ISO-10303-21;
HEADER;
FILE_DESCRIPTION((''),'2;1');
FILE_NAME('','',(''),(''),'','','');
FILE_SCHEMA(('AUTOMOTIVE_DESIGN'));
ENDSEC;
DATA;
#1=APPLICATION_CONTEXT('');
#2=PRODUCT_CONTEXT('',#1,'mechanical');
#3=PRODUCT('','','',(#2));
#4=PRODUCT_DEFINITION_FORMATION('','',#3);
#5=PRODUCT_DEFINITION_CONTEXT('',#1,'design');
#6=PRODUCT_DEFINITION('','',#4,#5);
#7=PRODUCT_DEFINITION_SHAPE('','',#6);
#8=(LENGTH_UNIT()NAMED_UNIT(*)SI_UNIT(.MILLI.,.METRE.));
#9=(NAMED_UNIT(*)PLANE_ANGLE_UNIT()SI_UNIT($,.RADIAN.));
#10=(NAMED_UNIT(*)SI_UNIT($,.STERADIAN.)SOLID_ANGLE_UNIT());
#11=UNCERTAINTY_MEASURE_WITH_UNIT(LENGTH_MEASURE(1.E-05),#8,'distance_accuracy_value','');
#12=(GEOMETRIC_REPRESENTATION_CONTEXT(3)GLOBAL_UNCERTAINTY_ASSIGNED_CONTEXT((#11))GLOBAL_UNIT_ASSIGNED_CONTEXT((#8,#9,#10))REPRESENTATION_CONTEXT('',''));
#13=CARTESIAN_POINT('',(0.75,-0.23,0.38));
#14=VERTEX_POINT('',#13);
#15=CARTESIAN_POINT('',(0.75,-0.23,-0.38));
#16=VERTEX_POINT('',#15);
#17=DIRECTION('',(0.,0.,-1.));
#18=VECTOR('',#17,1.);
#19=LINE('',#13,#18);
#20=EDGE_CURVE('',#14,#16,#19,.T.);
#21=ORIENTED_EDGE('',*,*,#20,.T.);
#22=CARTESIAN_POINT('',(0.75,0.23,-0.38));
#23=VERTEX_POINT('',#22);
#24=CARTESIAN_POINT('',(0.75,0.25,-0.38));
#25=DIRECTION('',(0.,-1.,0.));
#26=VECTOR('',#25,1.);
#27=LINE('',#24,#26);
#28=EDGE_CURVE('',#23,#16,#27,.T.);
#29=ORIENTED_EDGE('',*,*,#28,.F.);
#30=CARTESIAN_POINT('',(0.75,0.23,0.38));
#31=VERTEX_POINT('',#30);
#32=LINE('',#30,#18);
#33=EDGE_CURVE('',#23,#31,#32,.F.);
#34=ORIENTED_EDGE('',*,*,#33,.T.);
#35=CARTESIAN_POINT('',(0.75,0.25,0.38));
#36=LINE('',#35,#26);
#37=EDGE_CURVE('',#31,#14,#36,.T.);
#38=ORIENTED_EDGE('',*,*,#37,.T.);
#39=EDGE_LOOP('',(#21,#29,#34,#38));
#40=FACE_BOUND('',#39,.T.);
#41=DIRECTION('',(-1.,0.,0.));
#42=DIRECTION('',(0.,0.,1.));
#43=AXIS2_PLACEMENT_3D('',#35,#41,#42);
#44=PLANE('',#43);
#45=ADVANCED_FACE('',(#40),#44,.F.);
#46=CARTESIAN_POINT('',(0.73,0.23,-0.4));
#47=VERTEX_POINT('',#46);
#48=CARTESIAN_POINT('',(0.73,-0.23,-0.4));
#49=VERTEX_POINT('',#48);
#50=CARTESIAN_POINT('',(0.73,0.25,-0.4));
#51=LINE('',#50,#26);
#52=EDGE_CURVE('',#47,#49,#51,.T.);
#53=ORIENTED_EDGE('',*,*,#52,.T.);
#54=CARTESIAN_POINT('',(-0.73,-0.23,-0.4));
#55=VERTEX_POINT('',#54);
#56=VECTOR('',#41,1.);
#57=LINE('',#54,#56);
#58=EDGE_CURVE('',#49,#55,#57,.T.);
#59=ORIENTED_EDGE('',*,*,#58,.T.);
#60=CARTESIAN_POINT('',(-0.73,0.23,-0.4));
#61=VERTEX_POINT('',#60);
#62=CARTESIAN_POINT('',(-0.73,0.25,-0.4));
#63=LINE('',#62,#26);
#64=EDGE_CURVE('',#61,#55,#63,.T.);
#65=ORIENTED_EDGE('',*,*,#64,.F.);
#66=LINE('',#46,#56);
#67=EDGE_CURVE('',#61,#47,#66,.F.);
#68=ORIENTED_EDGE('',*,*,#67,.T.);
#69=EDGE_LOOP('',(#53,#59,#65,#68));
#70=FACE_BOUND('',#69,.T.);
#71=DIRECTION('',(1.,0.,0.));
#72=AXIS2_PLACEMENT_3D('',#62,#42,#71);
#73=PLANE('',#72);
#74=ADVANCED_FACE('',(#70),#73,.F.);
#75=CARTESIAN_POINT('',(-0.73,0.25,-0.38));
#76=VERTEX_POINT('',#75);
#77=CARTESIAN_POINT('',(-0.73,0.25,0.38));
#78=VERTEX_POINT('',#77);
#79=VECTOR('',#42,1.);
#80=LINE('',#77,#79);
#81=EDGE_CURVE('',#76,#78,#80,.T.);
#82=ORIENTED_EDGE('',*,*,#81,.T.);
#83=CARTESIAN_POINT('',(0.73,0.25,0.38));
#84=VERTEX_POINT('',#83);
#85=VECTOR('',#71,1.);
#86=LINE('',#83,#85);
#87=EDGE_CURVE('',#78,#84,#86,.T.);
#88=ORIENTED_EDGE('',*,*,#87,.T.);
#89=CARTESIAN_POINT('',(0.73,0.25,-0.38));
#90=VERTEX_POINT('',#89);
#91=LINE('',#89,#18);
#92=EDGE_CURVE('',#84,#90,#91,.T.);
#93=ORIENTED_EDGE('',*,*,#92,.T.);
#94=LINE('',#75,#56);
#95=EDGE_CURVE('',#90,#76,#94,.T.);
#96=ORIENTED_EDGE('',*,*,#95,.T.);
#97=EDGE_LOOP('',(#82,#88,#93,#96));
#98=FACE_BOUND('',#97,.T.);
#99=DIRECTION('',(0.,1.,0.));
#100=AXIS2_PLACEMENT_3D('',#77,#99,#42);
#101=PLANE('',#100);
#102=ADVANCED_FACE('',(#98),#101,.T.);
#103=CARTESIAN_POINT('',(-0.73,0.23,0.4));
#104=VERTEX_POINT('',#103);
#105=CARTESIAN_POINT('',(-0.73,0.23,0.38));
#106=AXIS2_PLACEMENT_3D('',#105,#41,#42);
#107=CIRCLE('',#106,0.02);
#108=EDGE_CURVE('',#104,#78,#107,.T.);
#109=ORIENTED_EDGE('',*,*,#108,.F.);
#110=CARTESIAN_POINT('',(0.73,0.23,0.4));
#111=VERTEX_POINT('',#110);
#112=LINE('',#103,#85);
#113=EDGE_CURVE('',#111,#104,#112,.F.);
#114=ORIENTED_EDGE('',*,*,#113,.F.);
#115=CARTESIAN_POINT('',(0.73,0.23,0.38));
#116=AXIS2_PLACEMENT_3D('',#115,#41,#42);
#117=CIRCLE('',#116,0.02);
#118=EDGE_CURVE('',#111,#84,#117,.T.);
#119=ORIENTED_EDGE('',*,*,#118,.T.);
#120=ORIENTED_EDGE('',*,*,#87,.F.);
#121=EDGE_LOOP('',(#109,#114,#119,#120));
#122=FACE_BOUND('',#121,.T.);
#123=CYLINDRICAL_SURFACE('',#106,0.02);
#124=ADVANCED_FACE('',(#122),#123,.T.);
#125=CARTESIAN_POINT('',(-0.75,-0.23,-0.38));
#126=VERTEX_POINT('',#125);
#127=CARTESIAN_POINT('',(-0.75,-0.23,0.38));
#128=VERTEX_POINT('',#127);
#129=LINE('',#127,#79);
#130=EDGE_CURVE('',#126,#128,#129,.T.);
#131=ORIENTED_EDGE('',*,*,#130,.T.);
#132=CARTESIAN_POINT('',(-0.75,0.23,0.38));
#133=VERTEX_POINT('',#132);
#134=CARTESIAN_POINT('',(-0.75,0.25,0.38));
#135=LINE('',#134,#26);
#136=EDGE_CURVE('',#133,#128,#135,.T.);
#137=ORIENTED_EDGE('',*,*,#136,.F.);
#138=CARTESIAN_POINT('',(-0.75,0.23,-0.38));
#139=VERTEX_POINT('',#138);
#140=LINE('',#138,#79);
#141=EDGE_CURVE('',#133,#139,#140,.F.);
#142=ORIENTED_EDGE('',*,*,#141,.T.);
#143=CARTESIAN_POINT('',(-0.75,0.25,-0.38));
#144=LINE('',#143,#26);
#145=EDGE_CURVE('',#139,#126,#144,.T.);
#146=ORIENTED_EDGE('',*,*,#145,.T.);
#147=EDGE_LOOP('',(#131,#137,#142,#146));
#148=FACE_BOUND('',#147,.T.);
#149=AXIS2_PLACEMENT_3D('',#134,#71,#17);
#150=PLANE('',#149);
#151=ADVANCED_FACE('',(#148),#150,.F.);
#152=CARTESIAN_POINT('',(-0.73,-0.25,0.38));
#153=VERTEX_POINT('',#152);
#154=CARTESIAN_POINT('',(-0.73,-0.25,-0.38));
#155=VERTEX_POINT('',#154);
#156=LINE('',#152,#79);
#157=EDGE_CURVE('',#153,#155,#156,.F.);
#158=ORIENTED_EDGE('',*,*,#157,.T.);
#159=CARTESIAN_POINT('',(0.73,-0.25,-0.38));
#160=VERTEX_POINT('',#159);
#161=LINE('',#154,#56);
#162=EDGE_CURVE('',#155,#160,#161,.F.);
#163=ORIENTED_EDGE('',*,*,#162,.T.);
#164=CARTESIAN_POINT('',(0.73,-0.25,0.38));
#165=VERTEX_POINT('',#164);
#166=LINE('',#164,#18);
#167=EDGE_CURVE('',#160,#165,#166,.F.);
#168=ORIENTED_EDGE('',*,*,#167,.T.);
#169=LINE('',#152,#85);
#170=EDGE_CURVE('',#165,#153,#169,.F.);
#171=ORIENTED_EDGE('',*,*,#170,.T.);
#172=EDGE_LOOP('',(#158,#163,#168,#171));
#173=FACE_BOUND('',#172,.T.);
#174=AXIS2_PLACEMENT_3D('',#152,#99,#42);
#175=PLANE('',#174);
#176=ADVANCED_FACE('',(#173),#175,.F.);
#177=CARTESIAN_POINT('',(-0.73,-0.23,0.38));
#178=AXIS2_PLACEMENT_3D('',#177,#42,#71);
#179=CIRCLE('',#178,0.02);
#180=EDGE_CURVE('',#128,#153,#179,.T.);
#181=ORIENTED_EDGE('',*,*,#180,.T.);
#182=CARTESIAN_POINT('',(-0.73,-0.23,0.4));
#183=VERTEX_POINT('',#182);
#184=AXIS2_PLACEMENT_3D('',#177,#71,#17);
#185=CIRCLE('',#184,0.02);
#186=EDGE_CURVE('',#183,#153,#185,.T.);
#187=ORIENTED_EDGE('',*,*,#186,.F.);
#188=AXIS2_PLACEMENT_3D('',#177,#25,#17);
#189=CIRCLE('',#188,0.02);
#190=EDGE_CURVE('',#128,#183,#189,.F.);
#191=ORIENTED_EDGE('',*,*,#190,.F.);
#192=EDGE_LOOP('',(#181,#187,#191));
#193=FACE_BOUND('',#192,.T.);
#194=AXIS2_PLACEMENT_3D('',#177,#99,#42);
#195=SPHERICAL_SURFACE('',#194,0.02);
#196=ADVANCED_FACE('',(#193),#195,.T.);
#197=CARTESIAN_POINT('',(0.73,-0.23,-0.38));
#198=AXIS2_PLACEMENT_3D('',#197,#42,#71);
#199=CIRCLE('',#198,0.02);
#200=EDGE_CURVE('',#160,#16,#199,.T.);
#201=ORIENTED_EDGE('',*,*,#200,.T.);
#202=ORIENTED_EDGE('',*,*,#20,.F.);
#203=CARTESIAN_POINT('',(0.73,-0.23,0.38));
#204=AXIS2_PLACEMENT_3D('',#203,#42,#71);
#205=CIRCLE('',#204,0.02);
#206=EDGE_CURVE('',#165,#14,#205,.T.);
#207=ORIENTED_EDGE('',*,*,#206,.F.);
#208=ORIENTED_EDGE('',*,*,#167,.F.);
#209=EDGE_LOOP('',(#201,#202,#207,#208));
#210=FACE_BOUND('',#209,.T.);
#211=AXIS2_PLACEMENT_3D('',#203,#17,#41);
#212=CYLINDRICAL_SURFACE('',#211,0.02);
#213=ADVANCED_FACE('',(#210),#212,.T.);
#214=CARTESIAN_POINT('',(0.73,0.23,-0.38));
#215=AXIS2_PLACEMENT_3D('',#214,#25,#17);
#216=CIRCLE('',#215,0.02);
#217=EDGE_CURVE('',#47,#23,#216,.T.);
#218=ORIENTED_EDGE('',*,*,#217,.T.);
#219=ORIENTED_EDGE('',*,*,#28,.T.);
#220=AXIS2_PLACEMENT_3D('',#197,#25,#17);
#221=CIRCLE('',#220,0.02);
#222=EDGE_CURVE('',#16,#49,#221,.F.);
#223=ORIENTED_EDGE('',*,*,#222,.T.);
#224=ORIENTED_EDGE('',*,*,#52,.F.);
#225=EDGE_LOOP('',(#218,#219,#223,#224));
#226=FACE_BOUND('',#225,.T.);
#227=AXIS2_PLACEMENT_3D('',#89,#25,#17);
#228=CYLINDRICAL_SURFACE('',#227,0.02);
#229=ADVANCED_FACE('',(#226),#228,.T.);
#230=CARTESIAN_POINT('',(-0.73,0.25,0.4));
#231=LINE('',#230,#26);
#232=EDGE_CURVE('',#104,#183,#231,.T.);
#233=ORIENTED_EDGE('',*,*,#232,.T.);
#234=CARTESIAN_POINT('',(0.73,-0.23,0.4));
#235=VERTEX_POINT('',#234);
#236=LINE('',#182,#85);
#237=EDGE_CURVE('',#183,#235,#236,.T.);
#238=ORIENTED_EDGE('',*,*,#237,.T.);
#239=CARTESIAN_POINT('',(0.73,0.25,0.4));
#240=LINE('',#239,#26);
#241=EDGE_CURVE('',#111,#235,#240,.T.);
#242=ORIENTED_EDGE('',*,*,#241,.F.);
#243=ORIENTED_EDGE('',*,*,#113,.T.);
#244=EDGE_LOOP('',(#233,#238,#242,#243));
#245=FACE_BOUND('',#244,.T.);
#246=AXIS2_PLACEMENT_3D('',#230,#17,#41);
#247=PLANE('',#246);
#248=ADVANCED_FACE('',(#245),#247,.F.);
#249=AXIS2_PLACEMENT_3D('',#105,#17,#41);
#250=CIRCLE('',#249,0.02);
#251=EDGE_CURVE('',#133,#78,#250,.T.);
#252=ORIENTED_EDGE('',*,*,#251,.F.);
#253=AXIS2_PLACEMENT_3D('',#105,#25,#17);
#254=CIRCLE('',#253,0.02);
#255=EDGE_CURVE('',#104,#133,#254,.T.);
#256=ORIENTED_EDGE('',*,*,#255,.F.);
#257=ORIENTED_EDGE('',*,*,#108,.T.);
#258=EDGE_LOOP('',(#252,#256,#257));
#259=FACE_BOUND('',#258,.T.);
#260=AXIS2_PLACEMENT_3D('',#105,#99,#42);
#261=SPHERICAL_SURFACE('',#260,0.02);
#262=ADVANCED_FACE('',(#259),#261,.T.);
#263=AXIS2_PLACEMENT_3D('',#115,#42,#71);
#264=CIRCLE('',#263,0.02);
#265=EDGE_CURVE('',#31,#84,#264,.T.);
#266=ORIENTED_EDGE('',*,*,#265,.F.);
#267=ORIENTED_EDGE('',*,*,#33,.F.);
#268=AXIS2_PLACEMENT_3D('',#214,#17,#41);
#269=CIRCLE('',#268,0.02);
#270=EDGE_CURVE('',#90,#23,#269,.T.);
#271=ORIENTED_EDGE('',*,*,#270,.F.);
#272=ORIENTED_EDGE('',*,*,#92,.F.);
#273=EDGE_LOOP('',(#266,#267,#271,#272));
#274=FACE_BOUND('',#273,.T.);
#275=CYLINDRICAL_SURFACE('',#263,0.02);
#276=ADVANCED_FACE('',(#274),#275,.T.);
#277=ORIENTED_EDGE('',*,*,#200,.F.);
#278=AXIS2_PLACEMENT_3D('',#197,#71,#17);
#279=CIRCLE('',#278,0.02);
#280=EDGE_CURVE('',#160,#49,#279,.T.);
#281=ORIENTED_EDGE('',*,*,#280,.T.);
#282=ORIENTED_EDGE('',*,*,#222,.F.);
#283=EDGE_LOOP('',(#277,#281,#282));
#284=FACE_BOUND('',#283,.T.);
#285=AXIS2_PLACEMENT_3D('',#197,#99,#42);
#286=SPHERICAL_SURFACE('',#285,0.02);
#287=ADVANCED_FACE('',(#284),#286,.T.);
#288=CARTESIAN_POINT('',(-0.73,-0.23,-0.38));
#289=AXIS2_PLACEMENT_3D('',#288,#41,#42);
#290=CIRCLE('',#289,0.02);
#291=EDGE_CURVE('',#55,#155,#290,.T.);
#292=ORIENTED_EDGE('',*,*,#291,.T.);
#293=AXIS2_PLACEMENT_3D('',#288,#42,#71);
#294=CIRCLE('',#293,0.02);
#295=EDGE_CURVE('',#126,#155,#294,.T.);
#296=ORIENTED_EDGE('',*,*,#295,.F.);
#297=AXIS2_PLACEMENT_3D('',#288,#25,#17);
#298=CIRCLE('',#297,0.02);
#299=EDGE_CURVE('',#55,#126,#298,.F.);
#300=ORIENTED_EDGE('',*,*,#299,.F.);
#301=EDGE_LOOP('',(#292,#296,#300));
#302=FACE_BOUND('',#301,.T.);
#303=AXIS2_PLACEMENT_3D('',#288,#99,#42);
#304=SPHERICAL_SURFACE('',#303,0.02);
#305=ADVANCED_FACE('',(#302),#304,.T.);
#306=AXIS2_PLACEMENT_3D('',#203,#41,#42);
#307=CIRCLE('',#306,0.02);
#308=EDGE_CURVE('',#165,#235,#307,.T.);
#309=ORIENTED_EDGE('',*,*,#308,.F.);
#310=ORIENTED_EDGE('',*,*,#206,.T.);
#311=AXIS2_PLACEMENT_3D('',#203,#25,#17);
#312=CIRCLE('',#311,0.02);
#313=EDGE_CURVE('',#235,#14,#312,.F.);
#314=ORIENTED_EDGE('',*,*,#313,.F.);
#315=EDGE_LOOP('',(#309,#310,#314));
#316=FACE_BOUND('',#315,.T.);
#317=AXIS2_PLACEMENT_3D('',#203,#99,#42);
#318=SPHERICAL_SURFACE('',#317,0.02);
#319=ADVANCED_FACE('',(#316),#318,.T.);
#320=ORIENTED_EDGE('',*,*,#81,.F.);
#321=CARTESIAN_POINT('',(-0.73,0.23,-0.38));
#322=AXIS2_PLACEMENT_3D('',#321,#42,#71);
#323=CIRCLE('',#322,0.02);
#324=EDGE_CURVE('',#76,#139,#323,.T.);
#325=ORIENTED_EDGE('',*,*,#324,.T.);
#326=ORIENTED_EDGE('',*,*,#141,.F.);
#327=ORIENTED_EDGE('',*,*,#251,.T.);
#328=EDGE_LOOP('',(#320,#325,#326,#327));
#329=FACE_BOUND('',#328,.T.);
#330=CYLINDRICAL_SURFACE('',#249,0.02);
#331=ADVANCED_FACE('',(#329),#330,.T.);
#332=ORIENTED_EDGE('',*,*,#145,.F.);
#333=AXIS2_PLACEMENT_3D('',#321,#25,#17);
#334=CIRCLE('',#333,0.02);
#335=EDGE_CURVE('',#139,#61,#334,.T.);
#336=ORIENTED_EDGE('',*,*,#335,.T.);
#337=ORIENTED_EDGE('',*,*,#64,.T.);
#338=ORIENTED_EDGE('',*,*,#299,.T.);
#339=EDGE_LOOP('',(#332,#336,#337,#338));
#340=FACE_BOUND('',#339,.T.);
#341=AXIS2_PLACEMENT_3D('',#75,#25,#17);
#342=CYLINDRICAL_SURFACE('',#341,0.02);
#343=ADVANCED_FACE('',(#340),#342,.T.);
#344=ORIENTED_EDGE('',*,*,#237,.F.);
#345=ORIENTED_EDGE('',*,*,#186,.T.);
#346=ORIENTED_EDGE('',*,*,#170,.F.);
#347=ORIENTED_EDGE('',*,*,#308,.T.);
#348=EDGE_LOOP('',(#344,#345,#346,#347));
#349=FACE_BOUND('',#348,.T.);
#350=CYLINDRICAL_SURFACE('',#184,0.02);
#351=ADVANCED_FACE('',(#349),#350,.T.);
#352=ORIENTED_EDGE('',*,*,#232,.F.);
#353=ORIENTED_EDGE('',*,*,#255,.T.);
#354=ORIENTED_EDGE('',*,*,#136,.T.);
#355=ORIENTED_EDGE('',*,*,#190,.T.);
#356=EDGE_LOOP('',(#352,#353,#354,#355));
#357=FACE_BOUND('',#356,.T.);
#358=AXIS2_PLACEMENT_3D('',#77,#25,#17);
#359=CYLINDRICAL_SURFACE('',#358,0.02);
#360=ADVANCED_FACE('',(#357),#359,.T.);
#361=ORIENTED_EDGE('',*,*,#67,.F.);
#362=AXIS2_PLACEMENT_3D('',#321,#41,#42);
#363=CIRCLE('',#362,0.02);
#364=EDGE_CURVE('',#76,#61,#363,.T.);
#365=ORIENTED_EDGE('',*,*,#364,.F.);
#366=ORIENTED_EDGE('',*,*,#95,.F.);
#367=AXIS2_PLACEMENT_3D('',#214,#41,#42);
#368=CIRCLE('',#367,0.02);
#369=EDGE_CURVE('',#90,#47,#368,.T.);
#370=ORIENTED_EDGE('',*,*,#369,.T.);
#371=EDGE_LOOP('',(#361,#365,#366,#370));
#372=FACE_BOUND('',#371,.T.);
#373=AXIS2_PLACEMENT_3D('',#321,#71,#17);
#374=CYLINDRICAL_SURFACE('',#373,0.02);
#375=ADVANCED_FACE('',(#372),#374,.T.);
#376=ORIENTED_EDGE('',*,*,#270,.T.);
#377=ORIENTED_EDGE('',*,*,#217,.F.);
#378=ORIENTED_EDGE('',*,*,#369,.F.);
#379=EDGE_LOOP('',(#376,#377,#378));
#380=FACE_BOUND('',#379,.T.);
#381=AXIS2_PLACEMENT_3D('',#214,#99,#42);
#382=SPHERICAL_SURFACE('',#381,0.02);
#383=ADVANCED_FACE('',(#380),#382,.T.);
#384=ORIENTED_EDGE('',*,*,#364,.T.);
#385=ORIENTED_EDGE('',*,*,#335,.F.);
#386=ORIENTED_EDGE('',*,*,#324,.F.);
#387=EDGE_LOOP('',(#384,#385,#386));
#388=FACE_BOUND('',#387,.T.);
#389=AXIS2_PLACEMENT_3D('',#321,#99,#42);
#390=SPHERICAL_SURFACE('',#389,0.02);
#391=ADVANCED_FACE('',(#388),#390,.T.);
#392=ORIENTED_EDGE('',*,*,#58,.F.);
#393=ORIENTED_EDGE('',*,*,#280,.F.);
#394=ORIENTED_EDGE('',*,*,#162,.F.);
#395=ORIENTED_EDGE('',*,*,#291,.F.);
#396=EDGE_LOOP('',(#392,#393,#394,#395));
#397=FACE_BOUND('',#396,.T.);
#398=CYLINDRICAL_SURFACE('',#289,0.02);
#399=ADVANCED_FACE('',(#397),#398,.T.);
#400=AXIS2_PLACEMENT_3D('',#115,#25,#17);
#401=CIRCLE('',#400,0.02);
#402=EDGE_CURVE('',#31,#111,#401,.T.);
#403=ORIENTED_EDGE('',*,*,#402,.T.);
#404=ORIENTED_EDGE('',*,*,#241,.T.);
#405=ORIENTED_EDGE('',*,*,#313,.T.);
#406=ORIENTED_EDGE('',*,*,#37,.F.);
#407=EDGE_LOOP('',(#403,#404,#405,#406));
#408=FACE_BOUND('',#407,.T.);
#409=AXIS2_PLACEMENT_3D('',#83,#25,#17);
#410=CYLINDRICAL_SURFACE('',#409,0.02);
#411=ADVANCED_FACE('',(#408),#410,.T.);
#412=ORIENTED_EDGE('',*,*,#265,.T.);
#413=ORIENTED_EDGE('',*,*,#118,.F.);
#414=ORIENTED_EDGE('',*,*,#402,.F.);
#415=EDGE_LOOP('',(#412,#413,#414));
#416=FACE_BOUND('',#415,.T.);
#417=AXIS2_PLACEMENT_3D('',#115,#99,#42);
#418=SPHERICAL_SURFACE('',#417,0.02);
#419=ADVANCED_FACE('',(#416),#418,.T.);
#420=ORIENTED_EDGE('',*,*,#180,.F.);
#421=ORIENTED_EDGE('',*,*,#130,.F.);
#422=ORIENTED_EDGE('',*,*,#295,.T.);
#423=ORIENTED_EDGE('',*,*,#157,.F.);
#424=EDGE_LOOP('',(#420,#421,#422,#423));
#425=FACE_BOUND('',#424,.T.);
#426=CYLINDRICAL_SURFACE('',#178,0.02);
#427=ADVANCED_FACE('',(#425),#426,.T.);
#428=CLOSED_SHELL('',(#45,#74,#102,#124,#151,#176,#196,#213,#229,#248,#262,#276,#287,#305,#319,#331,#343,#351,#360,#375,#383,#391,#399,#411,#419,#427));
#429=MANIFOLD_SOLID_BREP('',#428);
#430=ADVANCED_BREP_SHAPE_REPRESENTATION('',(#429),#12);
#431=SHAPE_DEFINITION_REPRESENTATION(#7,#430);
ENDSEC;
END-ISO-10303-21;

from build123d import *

# Parameters (mm, degrees)
BOSS_EXTRUDE1_DEPTH = 0.25
FILLET2_R           = 0.02


with BuildPart() as part:
    # Sketch1 → Boss-Extrude1 (new body, symmetric)
    with BuildSketch(Plane(origin=(0, 0, 0), x_dir=(1, 0, 0), z_dir=(0, 1, 0))):
        with BuildLine():
            Line((-0.73, -0.4), (0.73, -0.4))
            ThreePointArc((0.73, -0.4), (0.744142136, -0.394142136), (0.75, -0.38))
            Line((0.75, -0.38), (0.75, 0.38))
            ThreePointArc((0.75, 0.38), (0.744142136, 0.394142136), (0.73, 0.4))
            Line((0.73, 0.4), (-0.73, 0.4))
            ThreePointArc((-0.73, 0.4), (-0.744142136, 0.394142136), (-0.75, 0.38))
            Line((-0.75, 0.38), (-0.75, -0.38))
            ThreePointArc((-0.75, -0.38), (-0.744142136, -0.394142136), (-0.73, -0.4))
        make_face()
    extrude(amount=BOSS_EXTRUDE1_DEPTH, both=True)

    # Fillet2
    fillet2_edges = [part.edges().sort_by_distance(p)[0] for p in [
        (0.744142136, 0.25, 0.394142136),
        (0, -0.25, 0.4),
        (-0.744142136, -0.25, 0.394142136),
        (0.75, 0.25, 0),
        (0.744142136, 0.25, -0.394142136),
        (0, 0.25, -0.4),
        (-0.744142136, 0.25, -0.394142136),
        (-0.75, 0.25, 0),
        (-0.744142136, 0.25, 0.394142136),
        (0, 0.25, 0.4),
        (-0.75, -0.25, 0),
        (-0.744142136, -0.25, -0.394142136),
        (0, -0.25, -0.4),
        (0.744142136, -0.25, -0.394142136),
        (0.75, -0.25, 0),
        (0.744142136, -0.25, 0.394142136),
    ]]
    fillet(fillet2_edges, radius=FILLET2_R)


solid = part.part
